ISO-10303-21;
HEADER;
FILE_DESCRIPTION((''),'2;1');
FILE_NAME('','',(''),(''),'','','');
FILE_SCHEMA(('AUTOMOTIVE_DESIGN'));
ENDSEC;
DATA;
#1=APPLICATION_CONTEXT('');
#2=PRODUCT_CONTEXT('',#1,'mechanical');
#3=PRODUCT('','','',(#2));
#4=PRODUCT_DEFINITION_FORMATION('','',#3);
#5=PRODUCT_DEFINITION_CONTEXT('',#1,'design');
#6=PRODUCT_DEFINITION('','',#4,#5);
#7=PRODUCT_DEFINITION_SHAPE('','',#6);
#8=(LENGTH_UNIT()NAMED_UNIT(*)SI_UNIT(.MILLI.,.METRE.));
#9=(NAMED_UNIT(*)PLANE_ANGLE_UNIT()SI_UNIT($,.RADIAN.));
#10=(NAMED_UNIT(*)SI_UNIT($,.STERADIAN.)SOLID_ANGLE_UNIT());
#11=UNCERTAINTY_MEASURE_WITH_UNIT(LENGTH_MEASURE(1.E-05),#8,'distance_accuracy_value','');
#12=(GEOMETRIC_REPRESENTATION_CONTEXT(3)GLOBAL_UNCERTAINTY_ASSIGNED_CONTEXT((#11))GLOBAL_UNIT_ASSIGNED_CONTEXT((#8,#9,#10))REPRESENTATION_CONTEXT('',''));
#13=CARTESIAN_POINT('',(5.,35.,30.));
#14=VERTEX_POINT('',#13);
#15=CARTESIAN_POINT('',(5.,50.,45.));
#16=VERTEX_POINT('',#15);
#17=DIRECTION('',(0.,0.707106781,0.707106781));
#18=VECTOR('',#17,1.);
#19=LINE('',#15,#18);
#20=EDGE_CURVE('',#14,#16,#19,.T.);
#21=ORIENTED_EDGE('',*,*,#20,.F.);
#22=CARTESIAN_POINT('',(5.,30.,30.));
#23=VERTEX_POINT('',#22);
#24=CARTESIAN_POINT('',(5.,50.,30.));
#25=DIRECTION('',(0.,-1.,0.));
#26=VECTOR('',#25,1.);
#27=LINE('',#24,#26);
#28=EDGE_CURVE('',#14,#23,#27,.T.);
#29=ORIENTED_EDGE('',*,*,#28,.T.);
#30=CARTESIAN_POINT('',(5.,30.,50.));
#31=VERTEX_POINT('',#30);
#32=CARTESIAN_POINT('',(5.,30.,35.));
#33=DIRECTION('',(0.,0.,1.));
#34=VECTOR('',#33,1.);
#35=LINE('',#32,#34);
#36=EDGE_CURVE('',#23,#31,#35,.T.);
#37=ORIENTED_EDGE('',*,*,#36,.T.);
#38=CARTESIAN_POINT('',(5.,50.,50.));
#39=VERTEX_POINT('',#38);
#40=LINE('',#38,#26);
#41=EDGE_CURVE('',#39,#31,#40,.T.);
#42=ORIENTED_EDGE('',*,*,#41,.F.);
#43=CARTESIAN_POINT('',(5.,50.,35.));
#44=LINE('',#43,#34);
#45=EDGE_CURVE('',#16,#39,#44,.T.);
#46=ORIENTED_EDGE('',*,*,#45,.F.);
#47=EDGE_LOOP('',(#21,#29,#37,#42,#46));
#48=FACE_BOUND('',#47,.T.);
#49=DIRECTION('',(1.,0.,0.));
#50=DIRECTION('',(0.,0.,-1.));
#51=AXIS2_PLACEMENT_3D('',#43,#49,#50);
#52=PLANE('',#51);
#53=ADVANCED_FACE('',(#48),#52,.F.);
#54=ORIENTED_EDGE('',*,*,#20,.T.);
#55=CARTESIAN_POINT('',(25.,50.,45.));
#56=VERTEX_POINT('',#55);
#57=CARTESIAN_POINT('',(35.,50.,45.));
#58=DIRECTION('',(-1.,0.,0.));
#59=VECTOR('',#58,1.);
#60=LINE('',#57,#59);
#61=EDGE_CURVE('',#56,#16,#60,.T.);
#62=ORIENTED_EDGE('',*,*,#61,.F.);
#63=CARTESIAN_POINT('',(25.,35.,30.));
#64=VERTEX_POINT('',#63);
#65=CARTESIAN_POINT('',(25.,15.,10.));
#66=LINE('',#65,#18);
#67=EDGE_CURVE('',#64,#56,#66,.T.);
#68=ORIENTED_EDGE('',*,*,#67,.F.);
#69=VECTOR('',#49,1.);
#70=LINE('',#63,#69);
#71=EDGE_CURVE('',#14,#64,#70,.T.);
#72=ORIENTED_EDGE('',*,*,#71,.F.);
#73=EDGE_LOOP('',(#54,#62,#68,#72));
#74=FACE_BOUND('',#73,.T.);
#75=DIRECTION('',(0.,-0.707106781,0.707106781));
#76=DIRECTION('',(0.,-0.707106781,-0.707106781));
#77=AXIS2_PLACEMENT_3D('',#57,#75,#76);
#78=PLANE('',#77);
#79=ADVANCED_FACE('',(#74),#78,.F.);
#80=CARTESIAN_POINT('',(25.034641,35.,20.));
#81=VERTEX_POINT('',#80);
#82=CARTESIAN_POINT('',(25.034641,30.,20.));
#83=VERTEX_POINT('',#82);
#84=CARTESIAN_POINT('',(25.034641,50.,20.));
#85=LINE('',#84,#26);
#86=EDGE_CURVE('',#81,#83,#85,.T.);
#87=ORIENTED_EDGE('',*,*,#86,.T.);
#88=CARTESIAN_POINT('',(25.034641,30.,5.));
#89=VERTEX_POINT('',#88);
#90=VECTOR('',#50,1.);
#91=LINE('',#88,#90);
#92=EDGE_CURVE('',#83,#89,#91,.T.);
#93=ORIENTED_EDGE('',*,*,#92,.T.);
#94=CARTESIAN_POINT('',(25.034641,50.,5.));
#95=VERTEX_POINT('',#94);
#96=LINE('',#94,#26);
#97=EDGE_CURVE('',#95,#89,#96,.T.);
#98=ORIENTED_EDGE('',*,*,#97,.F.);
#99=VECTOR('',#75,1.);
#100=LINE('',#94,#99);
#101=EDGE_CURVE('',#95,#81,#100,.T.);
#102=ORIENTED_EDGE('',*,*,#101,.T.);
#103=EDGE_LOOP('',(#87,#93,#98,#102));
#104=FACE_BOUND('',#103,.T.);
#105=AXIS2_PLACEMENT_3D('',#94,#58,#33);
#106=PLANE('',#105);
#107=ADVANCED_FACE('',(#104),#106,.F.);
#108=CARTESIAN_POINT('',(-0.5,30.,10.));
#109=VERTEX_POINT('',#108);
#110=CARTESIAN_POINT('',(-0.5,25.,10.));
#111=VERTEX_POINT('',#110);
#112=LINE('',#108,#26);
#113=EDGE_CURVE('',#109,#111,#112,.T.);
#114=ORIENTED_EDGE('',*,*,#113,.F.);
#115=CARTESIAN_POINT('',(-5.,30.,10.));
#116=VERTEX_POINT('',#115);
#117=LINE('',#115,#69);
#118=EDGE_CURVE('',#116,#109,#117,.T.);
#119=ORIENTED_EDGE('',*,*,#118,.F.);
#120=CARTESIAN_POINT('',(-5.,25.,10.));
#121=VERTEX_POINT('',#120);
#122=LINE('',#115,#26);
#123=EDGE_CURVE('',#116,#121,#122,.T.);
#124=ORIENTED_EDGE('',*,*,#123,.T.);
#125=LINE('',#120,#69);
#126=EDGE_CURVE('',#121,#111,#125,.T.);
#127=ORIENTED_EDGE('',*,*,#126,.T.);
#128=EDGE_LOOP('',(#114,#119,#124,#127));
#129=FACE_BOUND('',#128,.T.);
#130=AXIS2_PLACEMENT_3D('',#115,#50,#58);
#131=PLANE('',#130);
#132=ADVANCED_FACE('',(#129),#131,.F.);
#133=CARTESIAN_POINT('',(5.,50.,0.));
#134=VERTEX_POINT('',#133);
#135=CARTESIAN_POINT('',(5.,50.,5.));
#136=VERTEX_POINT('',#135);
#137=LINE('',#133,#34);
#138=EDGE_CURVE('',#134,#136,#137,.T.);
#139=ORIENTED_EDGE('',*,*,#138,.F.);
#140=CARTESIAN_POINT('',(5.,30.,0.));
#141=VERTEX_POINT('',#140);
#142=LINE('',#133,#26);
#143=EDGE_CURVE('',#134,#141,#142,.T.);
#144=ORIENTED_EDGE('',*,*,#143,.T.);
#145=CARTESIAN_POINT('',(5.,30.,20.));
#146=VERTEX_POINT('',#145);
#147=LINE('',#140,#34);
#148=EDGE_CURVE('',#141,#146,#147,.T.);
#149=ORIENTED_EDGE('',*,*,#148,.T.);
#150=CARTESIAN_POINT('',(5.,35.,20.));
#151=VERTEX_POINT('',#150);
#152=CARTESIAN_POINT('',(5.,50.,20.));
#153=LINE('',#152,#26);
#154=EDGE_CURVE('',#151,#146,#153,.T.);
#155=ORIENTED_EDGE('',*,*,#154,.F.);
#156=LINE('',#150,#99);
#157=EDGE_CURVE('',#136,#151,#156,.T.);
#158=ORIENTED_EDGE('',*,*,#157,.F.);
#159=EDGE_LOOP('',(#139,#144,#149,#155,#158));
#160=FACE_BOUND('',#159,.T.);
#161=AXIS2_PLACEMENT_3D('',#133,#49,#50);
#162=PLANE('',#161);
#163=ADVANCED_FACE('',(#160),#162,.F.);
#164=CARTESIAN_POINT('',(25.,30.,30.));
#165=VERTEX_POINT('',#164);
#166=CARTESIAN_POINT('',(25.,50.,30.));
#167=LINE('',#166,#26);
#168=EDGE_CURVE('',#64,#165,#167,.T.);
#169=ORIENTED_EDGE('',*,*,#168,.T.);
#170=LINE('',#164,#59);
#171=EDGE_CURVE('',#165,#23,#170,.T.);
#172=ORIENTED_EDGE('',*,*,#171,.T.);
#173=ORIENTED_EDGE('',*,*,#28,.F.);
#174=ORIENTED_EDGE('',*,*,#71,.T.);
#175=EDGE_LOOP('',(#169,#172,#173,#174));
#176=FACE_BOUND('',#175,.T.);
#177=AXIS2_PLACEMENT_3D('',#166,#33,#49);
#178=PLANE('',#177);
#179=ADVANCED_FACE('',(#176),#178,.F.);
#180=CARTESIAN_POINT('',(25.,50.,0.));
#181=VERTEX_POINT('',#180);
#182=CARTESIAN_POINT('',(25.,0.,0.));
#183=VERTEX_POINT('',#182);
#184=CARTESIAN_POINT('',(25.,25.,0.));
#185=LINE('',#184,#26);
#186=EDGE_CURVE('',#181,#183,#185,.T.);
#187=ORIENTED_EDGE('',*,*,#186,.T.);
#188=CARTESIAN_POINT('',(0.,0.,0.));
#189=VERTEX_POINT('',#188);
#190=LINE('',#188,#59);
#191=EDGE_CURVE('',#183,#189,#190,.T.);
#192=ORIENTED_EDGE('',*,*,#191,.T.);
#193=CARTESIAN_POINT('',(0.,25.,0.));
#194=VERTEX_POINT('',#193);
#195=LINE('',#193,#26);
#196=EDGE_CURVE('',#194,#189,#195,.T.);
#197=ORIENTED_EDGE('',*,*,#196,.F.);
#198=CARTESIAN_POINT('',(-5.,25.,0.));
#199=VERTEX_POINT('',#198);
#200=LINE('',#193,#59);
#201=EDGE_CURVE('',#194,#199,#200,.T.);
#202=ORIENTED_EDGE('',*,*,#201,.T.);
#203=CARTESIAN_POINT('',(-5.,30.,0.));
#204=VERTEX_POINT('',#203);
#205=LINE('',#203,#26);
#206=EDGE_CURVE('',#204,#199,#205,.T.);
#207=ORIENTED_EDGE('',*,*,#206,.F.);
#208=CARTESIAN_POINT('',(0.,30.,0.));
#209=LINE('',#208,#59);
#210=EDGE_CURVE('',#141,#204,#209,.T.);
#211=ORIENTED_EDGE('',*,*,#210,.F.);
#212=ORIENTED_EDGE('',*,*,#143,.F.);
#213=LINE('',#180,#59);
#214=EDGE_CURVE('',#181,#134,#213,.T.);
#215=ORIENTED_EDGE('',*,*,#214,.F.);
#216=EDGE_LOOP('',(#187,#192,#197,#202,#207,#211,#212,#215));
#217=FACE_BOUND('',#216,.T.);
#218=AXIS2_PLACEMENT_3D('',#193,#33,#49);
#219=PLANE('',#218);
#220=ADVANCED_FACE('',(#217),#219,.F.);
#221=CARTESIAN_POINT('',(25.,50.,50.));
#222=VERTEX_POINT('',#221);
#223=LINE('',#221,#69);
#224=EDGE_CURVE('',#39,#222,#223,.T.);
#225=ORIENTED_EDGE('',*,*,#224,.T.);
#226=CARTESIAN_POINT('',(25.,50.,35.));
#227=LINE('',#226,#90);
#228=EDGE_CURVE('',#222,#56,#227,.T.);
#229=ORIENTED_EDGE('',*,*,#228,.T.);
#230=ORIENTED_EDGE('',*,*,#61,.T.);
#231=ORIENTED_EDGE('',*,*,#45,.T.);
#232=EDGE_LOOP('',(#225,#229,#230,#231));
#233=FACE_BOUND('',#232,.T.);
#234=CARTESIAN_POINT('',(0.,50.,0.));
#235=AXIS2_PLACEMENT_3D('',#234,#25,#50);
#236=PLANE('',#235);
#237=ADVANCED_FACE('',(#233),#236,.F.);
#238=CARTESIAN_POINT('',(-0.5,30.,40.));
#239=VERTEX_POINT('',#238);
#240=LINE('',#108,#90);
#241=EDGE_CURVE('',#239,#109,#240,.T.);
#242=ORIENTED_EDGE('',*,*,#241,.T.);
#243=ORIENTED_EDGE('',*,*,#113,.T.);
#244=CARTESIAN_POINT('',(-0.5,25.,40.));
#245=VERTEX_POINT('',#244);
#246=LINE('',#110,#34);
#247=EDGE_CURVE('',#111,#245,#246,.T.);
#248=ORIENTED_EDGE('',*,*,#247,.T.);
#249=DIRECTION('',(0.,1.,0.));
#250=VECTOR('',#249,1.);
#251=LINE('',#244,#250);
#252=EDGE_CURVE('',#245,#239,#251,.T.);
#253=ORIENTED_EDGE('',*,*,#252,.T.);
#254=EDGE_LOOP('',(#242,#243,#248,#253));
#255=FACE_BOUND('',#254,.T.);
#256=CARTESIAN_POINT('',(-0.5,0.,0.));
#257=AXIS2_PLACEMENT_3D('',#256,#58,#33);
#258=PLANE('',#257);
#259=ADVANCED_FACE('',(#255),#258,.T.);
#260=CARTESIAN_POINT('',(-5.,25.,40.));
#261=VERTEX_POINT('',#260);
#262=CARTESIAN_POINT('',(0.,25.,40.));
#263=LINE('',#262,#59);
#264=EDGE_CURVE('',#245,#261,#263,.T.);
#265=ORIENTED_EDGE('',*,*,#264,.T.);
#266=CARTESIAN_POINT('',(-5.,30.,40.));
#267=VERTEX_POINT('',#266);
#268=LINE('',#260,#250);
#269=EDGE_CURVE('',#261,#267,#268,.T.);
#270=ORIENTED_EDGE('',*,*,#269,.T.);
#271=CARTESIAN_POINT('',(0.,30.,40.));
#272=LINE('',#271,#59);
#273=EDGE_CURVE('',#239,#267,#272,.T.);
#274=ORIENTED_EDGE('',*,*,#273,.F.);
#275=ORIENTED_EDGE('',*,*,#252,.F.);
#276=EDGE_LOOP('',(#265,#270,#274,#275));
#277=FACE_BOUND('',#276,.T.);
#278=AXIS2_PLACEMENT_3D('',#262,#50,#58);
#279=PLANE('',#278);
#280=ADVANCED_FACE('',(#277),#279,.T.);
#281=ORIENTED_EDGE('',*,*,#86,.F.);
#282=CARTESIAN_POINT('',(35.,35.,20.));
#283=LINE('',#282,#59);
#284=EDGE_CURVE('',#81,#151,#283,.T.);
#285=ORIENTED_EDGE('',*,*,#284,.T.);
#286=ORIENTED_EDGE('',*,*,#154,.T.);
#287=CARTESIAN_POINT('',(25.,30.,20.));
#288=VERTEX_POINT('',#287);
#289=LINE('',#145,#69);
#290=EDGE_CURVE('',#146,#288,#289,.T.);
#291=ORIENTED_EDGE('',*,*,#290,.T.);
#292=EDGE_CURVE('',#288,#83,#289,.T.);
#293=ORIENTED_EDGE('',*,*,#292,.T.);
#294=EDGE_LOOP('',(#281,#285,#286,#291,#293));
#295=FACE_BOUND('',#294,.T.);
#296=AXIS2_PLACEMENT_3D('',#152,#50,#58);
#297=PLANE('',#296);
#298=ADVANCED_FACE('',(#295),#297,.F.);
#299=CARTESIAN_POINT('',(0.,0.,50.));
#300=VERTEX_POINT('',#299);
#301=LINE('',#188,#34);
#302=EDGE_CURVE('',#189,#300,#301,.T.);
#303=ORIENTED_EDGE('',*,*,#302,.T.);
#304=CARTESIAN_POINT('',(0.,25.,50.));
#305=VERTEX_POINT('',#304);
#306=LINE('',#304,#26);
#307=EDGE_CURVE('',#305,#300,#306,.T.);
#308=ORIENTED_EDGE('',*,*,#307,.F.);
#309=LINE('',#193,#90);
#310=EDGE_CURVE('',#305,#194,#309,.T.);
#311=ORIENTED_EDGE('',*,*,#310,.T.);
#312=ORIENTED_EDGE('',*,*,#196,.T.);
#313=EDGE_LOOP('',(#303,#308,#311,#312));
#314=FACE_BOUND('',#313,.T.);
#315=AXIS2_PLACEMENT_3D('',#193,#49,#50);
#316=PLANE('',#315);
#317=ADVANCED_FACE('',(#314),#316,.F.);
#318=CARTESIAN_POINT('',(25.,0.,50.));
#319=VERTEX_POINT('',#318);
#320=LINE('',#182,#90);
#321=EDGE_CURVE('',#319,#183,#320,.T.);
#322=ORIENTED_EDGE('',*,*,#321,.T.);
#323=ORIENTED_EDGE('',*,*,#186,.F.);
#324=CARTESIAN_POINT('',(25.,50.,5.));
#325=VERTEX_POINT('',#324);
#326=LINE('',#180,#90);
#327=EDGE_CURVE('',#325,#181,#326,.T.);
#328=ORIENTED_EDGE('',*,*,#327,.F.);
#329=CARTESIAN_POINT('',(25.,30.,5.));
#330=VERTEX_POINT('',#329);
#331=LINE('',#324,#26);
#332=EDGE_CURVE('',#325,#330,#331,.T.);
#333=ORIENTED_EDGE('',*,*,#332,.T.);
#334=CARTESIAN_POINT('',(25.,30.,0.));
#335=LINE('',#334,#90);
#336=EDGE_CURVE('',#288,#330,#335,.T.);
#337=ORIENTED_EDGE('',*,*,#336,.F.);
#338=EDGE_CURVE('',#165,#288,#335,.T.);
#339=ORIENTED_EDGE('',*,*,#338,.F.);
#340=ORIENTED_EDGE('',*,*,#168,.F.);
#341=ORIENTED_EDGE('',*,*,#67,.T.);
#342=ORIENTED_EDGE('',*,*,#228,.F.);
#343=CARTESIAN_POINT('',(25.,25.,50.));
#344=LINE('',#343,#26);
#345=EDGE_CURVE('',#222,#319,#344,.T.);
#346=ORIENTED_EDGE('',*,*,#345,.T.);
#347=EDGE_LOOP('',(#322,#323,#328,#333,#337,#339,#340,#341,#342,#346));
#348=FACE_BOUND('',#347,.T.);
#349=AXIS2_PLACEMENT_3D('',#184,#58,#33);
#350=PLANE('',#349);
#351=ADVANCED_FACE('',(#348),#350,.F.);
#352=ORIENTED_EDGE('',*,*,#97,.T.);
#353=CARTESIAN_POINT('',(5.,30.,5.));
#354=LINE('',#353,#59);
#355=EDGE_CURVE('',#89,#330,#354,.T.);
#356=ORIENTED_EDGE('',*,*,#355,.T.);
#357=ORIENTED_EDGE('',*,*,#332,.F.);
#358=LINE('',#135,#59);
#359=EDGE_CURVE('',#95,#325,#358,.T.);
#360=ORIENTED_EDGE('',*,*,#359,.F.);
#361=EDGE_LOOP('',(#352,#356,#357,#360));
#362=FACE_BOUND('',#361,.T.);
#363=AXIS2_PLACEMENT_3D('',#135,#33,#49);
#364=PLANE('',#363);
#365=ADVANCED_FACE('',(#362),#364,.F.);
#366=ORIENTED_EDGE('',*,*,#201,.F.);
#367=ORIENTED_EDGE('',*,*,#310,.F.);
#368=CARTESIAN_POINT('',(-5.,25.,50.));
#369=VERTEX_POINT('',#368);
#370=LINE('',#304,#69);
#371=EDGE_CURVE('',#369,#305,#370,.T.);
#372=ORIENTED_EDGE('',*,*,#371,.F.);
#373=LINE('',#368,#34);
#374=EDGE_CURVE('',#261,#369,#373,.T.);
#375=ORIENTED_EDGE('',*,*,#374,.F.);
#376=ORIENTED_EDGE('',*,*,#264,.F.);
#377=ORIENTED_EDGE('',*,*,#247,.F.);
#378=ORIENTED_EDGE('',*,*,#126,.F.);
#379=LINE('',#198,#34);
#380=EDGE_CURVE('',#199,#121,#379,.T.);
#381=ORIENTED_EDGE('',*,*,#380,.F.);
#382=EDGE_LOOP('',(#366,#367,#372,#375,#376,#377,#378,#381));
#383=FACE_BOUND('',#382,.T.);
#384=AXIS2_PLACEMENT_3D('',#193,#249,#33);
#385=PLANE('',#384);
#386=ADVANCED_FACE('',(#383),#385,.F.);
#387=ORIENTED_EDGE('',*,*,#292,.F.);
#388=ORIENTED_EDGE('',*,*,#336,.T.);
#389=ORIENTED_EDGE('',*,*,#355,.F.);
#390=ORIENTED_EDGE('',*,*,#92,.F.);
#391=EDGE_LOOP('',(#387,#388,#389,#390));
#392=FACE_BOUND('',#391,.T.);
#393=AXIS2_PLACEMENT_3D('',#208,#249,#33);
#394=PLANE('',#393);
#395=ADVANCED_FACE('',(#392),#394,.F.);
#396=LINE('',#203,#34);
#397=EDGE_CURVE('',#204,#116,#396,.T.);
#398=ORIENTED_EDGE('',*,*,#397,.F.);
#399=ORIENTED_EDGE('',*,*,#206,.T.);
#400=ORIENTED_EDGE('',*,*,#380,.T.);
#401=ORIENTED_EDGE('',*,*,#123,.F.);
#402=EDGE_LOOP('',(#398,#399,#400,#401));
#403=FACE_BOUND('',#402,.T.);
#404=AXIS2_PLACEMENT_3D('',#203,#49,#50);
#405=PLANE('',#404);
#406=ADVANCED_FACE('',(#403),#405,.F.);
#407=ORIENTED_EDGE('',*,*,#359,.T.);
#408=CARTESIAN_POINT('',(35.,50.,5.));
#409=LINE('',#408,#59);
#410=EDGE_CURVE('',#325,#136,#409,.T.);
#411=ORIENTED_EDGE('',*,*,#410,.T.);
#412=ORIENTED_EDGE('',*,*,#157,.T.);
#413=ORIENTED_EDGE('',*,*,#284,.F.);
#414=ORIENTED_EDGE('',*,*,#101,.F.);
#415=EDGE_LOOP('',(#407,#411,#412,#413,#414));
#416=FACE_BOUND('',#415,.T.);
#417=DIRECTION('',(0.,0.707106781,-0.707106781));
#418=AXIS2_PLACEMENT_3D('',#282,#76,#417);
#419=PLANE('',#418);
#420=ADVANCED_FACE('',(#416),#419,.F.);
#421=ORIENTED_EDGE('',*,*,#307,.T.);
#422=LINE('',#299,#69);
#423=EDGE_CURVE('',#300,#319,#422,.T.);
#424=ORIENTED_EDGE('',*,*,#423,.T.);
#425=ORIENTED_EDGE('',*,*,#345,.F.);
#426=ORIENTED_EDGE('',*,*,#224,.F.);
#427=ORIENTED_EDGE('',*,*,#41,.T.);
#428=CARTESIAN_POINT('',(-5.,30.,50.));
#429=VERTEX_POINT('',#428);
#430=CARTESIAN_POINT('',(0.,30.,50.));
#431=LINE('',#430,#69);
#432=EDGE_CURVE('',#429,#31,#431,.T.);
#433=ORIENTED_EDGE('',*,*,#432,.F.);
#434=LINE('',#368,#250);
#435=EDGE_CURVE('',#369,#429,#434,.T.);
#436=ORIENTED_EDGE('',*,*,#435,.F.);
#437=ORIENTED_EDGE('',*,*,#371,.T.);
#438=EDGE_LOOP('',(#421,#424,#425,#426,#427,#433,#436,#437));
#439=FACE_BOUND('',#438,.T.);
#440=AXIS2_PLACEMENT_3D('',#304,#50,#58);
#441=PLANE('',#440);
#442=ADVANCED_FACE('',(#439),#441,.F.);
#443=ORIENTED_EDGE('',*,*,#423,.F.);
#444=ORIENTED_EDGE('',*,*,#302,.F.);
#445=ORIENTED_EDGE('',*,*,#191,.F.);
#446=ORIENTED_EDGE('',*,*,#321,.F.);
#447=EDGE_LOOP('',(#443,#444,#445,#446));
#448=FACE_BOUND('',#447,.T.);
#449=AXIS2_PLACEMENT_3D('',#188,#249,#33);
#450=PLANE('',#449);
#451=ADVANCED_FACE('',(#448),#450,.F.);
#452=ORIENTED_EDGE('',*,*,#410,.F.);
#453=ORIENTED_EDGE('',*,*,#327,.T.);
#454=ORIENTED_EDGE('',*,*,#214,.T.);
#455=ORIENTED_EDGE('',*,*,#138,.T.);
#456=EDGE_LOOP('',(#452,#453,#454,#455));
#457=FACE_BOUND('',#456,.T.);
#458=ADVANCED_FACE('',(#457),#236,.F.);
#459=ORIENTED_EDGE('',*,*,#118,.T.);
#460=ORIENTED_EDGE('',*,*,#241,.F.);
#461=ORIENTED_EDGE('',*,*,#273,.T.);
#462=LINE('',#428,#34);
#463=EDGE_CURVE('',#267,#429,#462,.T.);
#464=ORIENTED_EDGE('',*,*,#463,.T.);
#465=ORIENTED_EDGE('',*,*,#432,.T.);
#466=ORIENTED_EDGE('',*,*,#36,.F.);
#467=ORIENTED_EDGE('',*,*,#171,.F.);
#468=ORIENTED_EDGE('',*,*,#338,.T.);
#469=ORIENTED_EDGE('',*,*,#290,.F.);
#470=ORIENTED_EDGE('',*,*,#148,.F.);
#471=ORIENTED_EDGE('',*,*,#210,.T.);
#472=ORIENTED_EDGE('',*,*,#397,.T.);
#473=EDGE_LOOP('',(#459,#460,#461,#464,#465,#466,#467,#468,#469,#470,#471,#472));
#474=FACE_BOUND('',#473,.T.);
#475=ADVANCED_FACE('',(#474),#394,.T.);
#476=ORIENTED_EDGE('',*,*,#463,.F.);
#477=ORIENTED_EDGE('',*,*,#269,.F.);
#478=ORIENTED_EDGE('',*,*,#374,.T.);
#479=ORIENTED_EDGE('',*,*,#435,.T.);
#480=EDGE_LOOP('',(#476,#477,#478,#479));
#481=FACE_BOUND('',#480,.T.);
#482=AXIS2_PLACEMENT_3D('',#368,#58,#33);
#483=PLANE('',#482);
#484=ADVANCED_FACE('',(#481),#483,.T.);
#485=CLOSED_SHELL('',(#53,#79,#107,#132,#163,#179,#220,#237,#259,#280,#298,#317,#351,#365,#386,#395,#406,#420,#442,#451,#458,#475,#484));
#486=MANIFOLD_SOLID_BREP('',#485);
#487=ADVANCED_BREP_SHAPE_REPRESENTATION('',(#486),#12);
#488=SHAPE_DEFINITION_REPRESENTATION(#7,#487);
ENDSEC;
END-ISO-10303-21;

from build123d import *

# Parameters (mm, degrees)
SKETCH1_W            = 25
SKETCH1_H            = 50
BOSS_EXTRUDE1_DEPTH  = 25
SKETCH2_W            = 5
SKETCH2_H            = 10
BOSS_EXTRUDE2_DEPTH  = 5
SKETCH3_W            = 25
SKETCH3_H            = 50
BOSS_EXTRUDE3_DEPTH  = 5
SKETCH4_W            = 5
SKETCH4_H            = 10
BOSS_EXTRUDE5_DEPTH  = 5
SKETCH6_W            = 30.0479401
SKETCH6_H            = 5
BOSS_EXTRUDE6_DEPTH  = 0.5
SKETCH8_W            = 20
SKETCH8_H            = 5
BOSS_EXTRUDE7_DEPTH  = 20
SKETCH18_W           = 20
SKETCH18_H           = 15
BOSS_EXTRUDE9_DEPTH  = 20
CUT_EXTRUDE7_DEPTH   = 20
SKETCH15_W           = 20.034641196
SKETCH15_H           = 15
SKETCH15_W_2         = 20
SKETCH15_H_2         = 20
BOSS_EXTRUDE11_DEPTH = 20
CUT_EXTRUDE9_DEPTH   = 30


with BuildPart() as part:
    # Sketch1 → Boss-Extrude1 (new body)
    with BuildSketch(Plane(origin=(0, 0, 0), x_dir=(1, 0, 0), z_dir=(0, 1, 0))):
        with Locations((12.5, -25)):
            Rectangle(SKETCH1_W, SKETCH1_H)
    extrude(amount=BOSS_EXTRUDE1_DEPTH)



with BuildPart() as body_2:
    # Sketch2 → Boss-Extrude2 (new body)
    with BuildSketch(Plane(origin=(0, 25, 0), x_dir=(1, 0, 0), z_dir=(0, 1, 0))):
        with Locations((-2.5, -5)):
            Rectangle(SKETCH2_W, SKETCH2_H)
    extrude(amount=BOSS_EXTRUDE2_DEPTH)


with BuildPart() as part_1:
    add(part.part)

    add(body_2.part)  # Boss-Extrude3 merges body 2
    # Sketch3 → Boss-Extrude3 (add)
    with BuildSketch(Plane(origin=(0, 25, 0), x_dir=(1, 0, 0), z_dir=(0, 1, 0))):
        with Locations((12.5, -25)):
            Rectangle(SKETCH3_W, SKETCH3_H)
    extrude(amount=BOSS_EXTRUDE3_DEPTH)

    # Sketch4 → Boss-Extrude5 (add)
    with BuildSketch(Plane(origin=(0, 30, 0), x_dir=(1, 0, 0), z_dir=(0, 1, 0))):
        with Locations((-2.5, -45)):
            Rectangle(SKETCH4_W, SKETCH4_H)
    extrude(amount=-BOSS_EXTRUDE5_DEPTH)

    # Sketch6 → Boss-Extrude6 (add)
    with BuildSketch(Plane.ZY):
        with Locations((25.02397005, 27.5)):
            Rectangle(SKETCH6_W, SKETCH6_H)
    extrude(amount=BOSS_EXTRUDE6_DEPTH)

    # Sketch8 → Boss-Extrude7 (add)
    with BuildSketch(Plane(origin=(0, 30, 0), x_dir=(1, 0, 0), z_dir=(0, 1, 0))):
        with Locations((15, -2.5)):
            Rectangle(SKETCH8_W, SKETCH8_H)
    extrude(amount=BOSS_EXTRUDE7_DEPTH)

    # Sketch18 → Boss-Extrude9 (add)
    with BuildSketch(Plane(origin=(0, 30, 0), x_dir=(1, 0, 0), z_dir=(0, 1, 0))):
        with Locations((15, -42.5)):
            Rectangle(SKETCH18_W, SKETCH18_H)
    extrude(amount=BOSS_EXTRUDE9_DEPTH)

    # Sketch20 → Cut-Extrude7 (cut)
    with BuildSketch(Plane.ZY.offset(-5)):
        Polygon((45, 50), (35, 35), (35, 50), align=None)
    extrude(amount=-CUT_EXTRUDE7_DEPTH, mode=Mode.SUBTRACT)

    # Sketch15 → Boss-Extrude11 (add)
    with BuildSketch(Plane(origin=(0, 30, 0), x_dir=(1, 0, 0), z_dir=(0, 1, 0))):
        with Locations((15.017320598, -12.5)):
            Rectangle(SKETCH15_W, SKETCH15_H)
        with Locations((15, -40)):
            Rectangle(SKETCH15_W_2, SKETCH15_H_2)
    extrude(amount=BOSS_EXTRUDE11_DEPTH)

    # Sketch21 → Cut-Extrude9 (cut)
    with BuildSketch(Plane.ZY.offset(-5)):
        Polygon((5, 50), (20, 50), (20, 35), align=None)
        Polygon((45, 50), (30, 35), (30, 50), align=None)
    extrude(amount=-CUT_EXTRUDE9_DEPTH, mode=Mode.SUBTRACT)


solid = part_1.part
